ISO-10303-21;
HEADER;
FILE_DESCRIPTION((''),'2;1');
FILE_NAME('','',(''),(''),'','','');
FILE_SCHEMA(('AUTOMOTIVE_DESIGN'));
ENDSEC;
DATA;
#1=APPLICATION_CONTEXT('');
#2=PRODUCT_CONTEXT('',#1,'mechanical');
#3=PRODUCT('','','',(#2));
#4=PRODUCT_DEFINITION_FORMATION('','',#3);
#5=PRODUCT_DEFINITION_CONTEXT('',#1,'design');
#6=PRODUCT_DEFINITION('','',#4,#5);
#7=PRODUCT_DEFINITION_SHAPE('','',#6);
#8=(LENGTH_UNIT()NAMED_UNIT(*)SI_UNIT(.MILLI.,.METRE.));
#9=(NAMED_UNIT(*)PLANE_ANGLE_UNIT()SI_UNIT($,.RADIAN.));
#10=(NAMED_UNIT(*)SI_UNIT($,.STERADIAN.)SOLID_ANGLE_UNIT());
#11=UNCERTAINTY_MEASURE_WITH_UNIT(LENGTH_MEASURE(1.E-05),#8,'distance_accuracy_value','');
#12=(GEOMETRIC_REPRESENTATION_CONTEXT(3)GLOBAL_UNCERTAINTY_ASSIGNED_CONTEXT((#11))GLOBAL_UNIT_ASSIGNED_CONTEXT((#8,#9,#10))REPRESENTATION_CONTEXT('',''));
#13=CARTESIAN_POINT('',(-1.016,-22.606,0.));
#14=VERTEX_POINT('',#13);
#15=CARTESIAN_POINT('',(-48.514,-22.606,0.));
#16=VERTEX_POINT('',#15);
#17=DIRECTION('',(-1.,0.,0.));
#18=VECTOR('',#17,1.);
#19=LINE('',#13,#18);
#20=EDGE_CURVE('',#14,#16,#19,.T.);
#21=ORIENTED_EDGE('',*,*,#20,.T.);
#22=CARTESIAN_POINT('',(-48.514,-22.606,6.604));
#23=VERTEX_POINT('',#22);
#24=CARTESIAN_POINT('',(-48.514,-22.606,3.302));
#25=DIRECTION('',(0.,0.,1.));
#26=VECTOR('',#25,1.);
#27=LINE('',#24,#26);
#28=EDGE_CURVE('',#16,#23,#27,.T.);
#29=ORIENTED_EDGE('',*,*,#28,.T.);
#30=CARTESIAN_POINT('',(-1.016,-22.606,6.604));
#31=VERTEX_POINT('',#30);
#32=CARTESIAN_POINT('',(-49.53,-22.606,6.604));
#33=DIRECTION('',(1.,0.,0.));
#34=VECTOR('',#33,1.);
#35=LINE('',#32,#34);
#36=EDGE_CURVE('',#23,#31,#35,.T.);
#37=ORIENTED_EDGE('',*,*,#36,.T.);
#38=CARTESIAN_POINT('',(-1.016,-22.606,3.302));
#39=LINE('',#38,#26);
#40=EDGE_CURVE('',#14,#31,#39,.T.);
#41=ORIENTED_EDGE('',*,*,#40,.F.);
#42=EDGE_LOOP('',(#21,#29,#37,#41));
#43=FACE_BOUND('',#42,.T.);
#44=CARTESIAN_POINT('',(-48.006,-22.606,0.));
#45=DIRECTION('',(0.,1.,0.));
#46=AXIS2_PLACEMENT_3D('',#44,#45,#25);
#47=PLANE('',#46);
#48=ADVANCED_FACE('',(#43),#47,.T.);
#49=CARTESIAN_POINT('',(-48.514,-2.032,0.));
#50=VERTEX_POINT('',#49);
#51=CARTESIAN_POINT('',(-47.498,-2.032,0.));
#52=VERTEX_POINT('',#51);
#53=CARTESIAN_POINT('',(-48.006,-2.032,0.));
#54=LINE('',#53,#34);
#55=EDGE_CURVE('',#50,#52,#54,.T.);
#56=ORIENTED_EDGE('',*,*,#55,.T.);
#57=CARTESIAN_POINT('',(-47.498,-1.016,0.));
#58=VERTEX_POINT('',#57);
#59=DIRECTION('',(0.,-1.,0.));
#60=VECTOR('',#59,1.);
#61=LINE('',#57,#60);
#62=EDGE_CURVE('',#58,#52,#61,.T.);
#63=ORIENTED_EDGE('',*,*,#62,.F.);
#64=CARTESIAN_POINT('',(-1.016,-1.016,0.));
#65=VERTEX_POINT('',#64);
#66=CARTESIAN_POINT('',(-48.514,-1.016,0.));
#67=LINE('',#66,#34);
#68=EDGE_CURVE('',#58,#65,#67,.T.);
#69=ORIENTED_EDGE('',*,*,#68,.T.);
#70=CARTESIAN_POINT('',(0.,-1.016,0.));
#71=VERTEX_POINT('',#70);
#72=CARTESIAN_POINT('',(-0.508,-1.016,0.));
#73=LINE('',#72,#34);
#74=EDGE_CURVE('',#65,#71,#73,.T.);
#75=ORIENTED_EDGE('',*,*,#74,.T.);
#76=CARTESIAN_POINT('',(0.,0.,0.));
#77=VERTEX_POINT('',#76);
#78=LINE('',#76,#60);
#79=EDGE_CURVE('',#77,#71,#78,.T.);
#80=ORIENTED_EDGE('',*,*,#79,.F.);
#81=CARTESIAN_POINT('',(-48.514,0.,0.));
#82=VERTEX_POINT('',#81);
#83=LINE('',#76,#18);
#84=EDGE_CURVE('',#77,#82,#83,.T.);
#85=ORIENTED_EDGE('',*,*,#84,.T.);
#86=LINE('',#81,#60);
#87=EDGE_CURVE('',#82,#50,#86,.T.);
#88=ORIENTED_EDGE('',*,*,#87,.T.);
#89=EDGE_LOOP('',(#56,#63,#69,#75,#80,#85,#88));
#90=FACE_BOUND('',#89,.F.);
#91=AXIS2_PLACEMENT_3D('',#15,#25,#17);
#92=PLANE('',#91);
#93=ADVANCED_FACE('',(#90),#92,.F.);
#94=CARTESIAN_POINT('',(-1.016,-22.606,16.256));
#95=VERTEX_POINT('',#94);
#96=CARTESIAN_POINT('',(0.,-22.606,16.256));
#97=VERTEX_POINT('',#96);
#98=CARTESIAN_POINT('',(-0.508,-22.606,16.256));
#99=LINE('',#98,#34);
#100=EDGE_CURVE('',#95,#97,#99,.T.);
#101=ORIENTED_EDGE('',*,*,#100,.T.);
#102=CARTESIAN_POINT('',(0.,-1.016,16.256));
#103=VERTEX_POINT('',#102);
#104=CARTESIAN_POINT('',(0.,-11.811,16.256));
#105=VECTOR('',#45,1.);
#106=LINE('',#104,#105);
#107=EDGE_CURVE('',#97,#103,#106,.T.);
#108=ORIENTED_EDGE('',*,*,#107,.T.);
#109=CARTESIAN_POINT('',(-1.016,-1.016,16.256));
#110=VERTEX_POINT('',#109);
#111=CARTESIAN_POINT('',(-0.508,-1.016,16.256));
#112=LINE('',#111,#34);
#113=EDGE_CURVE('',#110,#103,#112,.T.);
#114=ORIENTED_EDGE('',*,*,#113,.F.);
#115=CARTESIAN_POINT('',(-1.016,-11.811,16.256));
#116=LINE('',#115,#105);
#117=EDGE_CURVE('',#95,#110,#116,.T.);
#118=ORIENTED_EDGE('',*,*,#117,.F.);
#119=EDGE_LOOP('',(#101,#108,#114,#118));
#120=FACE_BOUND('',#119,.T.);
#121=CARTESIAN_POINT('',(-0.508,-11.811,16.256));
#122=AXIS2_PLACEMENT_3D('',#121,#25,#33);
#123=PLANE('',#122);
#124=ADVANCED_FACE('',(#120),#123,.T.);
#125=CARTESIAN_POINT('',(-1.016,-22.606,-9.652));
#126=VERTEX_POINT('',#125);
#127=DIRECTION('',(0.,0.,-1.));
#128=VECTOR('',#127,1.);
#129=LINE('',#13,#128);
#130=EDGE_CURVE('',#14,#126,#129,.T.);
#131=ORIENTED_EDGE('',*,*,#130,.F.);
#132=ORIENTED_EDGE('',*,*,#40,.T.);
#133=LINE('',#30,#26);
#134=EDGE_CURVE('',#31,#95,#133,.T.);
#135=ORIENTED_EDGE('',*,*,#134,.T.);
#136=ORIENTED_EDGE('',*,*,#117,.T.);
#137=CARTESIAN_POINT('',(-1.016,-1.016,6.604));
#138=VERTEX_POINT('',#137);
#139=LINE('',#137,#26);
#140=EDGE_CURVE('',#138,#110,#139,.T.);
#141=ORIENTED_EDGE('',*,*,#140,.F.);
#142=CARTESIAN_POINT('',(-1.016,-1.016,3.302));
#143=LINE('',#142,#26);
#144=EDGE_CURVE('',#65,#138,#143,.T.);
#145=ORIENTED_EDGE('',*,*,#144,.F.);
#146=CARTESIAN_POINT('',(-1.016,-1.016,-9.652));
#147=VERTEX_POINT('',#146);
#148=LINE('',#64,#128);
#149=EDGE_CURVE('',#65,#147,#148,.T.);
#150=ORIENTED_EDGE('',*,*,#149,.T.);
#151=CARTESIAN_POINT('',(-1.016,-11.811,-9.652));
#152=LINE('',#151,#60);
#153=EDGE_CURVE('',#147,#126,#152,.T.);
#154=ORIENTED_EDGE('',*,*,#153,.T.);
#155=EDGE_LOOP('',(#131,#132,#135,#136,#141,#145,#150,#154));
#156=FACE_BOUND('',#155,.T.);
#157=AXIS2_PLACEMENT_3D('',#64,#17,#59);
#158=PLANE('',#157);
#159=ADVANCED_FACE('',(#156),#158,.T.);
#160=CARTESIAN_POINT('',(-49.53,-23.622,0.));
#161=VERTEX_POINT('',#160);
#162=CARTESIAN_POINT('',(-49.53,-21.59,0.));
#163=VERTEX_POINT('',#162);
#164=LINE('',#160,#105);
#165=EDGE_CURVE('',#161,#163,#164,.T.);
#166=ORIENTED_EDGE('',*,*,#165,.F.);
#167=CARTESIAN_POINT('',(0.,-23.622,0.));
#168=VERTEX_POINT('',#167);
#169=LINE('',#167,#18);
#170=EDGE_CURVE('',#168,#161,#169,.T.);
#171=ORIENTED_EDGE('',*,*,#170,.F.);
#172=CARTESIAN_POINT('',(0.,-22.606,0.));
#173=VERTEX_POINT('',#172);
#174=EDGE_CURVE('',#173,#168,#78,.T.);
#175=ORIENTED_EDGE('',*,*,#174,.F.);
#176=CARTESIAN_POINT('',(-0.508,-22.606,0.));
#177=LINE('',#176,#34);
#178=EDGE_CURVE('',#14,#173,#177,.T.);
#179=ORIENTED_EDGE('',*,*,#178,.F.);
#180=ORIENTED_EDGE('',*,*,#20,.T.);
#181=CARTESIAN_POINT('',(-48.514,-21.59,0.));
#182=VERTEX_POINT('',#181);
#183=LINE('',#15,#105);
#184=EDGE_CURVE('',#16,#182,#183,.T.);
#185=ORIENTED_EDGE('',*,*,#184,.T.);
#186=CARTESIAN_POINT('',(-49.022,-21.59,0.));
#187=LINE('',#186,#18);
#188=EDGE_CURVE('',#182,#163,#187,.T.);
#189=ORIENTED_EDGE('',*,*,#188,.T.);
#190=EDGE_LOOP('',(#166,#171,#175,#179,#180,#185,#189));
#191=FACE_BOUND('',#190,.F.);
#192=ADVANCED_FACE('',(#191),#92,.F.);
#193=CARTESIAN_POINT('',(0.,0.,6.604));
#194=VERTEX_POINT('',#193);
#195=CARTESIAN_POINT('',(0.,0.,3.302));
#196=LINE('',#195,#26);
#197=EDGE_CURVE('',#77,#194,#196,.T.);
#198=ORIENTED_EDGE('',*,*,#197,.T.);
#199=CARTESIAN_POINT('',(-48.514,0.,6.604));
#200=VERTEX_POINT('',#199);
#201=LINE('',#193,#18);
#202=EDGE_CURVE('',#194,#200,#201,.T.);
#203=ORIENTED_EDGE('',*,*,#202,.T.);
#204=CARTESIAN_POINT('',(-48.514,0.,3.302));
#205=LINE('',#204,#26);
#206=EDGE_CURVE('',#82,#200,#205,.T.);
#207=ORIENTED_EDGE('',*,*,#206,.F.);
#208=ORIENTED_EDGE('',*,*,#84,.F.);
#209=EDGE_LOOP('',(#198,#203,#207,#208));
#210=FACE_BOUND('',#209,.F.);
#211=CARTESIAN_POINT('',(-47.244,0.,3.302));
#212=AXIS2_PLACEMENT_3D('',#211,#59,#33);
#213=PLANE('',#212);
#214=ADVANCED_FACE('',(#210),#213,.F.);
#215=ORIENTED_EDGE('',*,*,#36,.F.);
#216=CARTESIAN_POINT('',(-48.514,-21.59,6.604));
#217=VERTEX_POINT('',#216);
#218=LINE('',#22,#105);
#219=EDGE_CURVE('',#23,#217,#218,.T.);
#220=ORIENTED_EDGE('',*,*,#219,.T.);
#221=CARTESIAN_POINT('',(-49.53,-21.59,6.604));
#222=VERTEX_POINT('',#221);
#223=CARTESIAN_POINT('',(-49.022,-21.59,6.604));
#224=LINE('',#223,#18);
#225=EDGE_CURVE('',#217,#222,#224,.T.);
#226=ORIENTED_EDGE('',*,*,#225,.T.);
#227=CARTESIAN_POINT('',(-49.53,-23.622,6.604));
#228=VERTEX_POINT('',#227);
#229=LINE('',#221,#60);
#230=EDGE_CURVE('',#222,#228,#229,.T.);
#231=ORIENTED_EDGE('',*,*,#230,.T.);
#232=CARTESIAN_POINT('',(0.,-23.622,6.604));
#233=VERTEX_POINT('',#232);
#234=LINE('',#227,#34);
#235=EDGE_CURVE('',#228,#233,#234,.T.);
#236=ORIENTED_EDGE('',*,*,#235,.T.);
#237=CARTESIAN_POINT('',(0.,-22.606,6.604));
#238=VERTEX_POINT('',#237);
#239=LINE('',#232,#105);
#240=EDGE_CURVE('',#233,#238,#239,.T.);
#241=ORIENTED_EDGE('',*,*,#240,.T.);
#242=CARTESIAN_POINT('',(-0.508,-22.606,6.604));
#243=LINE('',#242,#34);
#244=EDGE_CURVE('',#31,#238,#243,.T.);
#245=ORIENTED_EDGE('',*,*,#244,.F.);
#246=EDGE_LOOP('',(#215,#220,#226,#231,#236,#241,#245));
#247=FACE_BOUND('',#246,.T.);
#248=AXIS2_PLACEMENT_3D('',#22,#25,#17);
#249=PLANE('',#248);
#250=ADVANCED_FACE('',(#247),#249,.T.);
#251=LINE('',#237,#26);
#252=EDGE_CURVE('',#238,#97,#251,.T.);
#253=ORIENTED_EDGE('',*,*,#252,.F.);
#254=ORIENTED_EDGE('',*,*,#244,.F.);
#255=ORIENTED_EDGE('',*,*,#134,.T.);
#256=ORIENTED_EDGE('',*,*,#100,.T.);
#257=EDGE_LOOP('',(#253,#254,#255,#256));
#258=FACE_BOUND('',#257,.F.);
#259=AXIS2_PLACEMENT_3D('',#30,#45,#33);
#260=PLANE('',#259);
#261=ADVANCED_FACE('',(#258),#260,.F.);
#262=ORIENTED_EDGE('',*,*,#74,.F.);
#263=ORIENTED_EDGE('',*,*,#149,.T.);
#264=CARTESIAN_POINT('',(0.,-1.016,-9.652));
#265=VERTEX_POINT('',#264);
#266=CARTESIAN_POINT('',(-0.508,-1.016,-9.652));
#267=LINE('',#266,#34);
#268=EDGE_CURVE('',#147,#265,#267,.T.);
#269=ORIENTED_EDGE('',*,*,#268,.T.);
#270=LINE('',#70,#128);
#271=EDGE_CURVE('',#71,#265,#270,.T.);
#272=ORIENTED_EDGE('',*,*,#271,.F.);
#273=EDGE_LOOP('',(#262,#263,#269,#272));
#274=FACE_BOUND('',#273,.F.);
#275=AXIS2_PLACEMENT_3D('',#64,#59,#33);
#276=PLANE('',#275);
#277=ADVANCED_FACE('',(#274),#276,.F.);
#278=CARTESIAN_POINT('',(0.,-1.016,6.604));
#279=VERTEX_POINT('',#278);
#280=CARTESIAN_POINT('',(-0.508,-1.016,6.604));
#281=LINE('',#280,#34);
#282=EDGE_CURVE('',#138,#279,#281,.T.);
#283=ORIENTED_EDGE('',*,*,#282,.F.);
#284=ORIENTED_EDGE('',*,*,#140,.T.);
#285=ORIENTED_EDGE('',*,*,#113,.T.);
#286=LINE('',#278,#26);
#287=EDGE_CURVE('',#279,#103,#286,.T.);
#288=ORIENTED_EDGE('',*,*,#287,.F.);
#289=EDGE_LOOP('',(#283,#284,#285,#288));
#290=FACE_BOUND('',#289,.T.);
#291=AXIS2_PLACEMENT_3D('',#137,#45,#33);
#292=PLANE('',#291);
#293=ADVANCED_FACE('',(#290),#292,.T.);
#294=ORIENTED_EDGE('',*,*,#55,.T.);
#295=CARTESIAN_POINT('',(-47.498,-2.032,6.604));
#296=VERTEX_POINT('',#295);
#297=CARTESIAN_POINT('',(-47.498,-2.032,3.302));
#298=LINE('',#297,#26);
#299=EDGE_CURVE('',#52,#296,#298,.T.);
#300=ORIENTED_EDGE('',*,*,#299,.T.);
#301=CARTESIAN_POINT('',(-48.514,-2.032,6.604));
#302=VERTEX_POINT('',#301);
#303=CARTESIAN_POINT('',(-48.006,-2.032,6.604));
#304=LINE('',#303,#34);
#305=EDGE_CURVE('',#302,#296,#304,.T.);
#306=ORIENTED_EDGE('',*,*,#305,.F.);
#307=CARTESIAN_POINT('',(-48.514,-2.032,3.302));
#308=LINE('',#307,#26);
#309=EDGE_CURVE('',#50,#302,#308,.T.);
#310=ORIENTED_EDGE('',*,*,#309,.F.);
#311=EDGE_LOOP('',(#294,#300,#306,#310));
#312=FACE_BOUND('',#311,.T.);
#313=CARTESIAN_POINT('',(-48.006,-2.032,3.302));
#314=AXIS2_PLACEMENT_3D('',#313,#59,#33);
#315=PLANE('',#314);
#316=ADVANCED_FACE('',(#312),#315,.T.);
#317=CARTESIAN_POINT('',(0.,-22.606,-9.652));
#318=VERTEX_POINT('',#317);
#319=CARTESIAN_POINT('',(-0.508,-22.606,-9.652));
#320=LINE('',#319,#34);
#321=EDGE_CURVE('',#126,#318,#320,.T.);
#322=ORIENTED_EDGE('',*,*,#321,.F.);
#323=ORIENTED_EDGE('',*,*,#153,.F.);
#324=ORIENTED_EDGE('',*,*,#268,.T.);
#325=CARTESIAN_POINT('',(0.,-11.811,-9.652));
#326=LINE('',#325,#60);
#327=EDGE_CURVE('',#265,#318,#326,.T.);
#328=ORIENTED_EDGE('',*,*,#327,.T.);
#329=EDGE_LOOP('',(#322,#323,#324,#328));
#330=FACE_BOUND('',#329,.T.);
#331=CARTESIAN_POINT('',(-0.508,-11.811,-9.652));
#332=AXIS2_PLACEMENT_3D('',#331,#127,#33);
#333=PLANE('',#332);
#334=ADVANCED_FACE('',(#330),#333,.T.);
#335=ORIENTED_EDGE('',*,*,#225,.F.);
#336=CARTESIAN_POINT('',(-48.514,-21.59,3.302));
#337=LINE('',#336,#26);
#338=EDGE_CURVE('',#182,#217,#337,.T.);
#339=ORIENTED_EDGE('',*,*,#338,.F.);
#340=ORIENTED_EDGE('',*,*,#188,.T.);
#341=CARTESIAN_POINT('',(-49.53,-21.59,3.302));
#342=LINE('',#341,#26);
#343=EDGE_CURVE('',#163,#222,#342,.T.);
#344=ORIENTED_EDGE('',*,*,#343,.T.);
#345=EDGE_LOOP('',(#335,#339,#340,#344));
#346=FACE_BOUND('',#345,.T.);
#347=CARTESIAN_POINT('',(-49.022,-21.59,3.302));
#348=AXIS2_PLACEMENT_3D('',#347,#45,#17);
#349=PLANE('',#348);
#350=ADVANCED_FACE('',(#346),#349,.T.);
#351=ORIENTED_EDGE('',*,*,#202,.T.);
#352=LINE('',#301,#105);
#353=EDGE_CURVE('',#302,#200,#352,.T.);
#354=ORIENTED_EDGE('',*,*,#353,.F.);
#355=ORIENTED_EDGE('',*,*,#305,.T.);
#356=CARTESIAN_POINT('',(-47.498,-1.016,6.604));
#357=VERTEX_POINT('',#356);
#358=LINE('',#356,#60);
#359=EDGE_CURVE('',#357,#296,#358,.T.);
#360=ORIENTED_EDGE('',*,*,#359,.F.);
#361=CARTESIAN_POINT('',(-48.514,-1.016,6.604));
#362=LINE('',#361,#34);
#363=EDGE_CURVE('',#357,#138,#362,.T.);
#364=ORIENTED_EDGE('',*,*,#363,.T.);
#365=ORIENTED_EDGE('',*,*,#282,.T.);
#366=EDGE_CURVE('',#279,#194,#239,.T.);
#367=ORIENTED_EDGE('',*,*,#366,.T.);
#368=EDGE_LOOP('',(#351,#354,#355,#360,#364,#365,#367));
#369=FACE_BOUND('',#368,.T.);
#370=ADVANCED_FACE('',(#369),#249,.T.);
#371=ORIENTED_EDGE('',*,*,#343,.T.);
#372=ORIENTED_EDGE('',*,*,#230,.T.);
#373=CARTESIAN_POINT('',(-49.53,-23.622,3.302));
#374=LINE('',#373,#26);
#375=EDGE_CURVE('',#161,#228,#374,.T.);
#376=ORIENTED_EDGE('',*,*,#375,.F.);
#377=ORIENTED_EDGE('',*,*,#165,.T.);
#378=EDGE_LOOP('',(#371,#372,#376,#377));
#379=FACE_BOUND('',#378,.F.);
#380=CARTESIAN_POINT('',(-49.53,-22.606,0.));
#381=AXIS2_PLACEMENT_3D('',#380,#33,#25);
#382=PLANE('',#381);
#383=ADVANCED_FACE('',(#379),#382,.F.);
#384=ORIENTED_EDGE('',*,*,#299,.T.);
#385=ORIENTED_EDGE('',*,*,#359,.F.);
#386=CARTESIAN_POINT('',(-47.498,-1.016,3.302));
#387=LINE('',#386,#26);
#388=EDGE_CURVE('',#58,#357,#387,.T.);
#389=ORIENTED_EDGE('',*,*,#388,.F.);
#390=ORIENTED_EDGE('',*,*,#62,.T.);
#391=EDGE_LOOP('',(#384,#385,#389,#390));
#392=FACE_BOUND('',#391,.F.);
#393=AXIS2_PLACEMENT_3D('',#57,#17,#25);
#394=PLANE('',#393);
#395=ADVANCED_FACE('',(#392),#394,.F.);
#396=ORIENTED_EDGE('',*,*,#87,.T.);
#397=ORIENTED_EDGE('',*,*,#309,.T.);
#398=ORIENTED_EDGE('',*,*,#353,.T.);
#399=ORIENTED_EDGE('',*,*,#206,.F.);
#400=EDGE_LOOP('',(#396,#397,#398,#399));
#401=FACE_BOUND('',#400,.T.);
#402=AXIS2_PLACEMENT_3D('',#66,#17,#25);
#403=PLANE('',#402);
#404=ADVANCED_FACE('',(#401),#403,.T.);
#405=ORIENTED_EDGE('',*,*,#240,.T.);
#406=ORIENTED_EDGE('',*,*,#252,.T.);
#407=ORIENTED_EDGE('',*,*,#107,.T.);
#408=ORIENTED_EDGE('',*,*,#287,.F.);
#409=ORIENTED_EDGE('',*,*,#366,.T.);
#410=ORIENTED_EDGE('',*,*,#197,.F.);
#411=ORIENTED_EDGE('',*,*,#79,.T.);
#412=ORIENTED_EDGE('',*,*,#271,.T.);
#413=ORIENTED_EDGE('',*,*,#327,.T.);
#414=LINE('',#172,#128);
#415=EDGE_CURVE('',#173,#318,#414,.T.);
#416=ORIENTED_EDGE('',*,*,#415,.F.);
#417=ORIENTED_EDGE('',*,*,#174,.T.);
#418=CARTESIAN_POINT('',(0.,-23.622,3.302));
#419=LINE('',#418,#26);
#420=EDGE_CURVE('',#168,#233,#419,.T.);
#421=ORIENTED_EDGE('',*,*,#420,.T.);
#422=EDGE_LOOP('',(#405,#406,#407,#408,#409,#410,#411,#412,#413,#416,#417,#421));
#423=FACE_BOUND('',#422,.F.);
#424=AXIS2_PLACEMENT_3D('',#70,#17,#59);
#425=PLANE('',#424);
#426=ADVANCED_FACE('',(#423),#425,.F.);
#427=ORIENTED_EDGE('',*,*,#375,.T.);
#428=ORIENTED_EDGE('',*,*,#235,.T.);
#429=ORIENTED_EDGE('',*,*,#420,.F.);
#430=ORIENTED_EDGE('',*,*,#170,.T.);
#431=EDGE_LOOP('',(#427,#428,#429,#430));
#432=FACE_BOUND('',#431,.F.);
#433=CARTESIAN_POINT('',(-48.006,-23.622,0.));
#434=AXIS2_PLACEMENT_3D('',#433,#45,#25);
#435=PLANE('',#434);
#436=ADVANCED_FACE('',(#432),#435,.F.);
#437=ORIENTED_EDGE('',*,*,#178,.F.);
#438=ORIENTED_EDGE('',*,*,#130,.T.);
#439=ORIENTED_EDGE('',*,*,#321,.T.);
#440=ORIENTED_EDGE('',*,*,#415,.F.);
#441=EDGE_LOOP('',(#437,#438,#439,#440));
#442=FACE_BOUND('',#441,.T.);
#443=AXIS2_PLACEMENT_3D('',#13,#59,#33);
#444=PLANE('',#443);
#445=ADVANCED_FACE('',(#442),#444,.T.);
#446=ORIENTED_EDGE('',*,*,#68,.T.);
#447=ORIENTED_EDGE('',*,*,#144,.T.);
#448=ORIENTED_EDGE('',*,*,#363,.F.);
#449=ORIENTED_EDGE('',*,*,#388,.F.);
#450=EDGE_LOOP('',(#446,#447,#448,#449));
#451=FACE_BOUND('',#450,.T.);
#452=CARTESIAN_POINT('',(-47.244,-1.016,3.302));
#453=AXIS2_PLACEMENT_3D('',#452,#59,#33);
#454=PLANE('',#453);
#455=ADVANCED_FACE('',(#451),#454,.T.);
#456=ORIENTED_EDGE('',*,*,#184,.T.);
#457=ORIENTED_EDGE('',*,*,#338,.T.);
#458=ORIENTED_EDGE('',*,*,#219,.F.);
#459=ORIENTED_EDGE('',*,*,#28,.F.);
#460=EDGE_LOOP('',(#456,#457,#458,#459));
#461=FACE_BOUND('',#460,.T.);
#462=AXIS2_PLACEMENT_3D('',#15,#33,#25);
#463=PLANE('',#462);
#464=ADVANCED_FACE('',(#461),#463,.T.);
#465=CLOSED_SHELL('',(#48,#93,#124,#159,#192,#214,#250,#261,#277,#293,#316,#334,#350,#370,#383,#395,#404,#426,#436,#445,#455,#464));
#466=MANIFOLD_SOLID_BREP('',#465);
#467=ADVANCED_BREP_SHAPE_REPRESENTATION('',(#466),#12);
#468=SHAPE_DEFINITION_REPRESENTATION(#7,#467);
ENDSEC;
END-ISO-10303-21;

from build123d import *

# Parameters (mm, degrees)
F0_W       = 46.99
F0_H       = 6.604
F1_DEPTH   = 1.016
F2_W       = 0.508
F2_H       = 6.604
F2_W_2     = 1.016
F3_DEPTH   = 1.016
F4_W       = 1.016
F4_H       = 6.604
F5_DEPTH   = 1.016
F6_W       = 1.016
F6_H       = 6.604
F7_DEPTH   = 21.59
F7_FACE_W  = 1.016
F7_FACE_H  = 6.604
F8_DEPTH   = 1.016
F9_W       = 1.016
F9_H       = 6.604
F10_DEPTH  = 46.99
F10_FACE_W = 1.016
F10_FACE_H = 6.604
F11_DEPTH  = 1.524
F12_W      = 1.016
F12_H      = 6.604
F13_DEPTH  = 1.016
F14_W      = 1.016
F14_H      = 21.59
F16_DEPTH  = 9.652
F17_W      = 1.016
F17_H      = 21.59
F18_DEPTH  = 9.652


with BuildPart() as f1:
    # F0 (on Front) → F1 (new body)
    with BuildSketch(Plane.XZ):
        with Locations((-23.495, 3.302)):
            Rectangle(F0_W, F0_H)
    extrude(amount=F1_DEPTH)

    # F2 (on face) → F3 (join)
    with BuildSketch(Plane.XZ.offset(1.016)):
        with Locations((-47.244, 3.302)):
            Rectangle(F2_W, F2_H)
        with Locations((-48.006, 3.302)):
            Rectangle(F2_W_2, F2_H)
    extrude(amount=-F3_DEPTH)

    # F4 (on face) → F5 (join)
    with BuildSketch(Plane.XZ.offset(1.016)):
        with Locations((-48.006, 3.302)):
            Rectangle(F4_W, F4_H)
    extrude(amount=F5_DEPTH)

    # F6 (on face) → F7 (join)
    with BuildSketch(Plane.XZ.offset(1.016)):
        with Locations((-0.508, 3.302)):
            Rectangle(F6_W, F6_H)
    extrude(amount=F7_DEPTH)

    # F7_face (on face) → F8 (join)
    with BuildSketch(Plane(origin=(-0.508, -22.606, 3.302), x_dir=(1, 0, 0), z_dir=(0, -1, 0))):
        Rectangle(F7_FACE_W, F7_FACE_H)
    extrude(amount=F8_DEPTH)

    # F9 (on face) → F10 (join)
    with BuildSketch(Plane(origin=(-1.016, 0, 0), x_dir=(0, -1, 0), z_dir=(-1, 0, 0))):
        with Locations((23.114, 3.302)):
            Rectangle(F9_W, F9_H)
    extrude(amount=F10_DEPTH)

    # F10_face (on face) → F11 (join)
    with BuildSketch(Plane(origin=(-48.006, -23.114, 3.302), x_dir=(0, -1, 0), z_dir=(-1, 0, 0))):
        Rectangle(F10_FACE_W, F10_FACE_H)
    extrude(amount=F11_DEPTH)

    # F12 (on face) → F13 (join)
    with BuildSketch(Plane(origin=(0, -22.606, 0), x_dir=(-1, 0, 0), z_dir=(0, 1, 0))):
        with Locations((49.022, 3.302)):
            Rectangle(F12_W, F12_H)
    extrude(amount=F13_DEPTH)

    # F14 (on face) → F16 (join)
    with BuildSketch(Plane.XY.offset(6.604)):
        with Locations((-0.508, -11.811)):
            Rectangle(F14_W, F14_H)
    extrude(amount=F16_DEPTH)

    # F17 (on face) → F18 (join)
    with BuildSketch(Plane(origin=(0, 0, 0), x_dir=(1, 0, 0), z_dir=(0, 0, -1))):
        with Locations((-0.508, 11.811)):
            Rectangle(F17_W, F17_H)
    extrude(amount=F18_DEPTH)


solid = f1.part
